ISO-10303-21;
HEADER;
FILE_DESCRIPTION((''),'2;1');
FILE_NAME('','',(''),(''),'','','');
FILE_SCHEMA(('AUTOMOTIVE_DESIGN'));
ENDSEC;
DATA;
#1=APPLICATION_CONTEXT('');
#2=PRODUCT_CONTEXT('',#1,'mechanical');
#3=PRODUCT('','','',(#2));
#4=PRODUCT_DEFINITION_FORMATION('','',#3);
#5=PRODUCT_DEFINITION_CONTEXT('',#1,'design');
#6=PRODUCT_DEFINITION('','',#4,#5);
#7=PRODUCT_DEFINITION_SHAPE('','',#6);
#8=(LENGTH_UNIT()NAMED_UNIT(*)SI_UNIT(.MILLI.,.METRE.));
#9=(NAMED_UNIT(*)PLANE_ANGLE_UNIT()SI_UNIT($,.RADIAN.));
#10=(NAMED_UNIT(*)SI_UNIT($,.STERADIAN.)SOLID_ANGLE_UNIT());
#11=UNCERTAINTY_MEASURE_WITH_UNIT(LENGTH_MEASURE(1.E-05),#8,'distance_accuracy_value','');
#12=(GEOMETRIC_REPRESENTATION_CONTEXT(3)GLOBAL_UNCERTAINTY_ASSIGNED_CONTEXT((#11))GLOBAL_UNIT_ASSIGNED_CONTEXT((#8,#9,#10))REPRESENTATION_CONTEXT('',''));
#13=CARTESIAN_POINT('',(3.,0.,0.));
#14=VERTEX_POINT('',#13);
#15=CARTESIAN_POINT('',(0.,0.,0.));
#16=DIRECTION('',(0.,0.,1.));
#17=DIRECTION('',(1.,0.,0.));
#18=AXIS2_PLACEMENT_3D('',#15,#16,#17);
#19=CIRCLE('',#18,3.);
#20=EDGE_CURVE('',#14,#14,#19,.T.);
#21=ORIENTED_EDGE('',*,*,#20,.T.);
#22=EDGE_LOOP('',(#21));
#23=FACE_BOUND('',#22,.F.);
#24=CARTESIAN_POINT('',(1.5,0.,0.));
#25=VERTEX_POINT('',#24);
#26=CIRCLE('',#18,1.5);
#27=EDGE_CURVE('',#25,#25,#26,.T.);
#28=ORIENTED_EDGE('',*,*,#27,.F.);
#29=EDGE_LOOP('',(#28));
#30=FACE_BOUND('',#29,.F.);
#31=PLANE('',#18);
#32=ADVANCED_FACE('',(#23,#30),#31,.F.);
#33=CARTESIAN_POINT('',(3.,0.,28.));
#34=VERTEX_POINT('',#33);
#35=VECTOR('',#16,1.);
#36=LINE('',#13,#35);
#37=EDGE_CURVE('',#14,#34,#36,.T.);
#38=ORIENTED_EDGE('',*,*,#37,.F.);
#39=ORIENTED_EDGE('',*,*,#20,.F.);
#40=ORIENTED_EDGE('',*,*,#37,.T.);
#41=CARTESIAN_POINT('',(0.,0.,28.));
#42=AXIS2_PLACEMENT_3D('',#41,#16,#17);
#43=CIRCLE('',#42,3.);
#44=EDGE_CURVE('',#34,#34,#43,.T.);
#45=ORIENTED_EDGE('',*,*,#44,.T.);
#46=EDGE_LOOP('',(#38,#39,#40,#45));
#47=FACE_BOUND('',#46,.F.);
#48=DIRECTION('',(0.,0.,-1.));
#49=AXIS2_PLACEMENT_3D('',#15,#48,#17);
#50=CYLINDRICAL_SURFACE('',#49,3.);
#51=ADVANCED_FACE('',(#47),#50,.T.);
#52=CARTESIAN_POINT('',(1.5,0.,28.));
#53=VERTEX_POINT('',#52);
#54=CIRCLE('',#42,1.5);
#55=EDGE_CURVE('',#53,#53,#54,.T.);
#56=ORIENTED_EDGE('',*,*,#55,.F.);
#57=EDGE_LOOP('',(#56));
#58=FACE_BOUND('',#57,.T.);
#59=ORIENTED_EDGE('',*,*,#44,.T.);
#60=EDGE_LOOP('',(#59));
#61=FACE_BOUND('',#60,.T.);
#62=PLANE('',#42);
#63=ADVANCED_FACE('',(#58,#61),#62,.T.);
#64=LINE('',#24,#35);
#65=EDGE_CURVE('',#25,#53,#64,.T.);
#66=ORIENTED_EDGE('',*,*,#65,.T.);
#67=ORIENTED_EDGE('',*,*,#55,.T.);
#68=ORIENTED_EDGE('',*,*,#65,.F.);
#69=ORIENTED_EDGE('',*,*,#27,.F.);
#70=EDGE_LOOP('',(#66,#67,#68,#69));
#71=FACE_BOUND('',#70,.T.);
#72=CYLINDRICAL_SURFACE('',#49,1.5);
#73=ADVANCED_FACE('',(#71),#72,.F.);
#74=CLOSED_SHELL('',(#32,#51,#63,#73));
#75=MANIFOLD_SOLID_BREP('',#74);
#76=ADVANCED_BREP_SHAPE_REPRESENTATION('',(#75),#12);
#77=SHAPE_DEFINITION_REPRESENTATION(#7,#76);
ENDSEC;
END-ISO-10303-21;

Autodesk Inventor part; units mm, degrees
ref_plane "YZ Plane" through (0, 0, 0) normal (1, 0, 0) x (0, 1, 0)
ref_plane "XZ Plane" through (0, 0, 0) normal (0, 1, 0) x (-1, 0, 0)
ref_plane "XY Plane" through (0, 0, 0) normal (0, 0, 1) x (1, 0, 0)
sketch "スケッチ1" plane through (0, 0, 0) normal (0, 0, 1) x (1, 0, 0)
  circle A0 centre (0, 0) radius 3
  circle A1 centre (0, 0) radius 1.5
  dimension "d0" = 6
  dimension "d1" = 3
extrude "押し出し1" add sketch "スケッチ1" along normal blind 28
properties part number "spacer_28mm"
